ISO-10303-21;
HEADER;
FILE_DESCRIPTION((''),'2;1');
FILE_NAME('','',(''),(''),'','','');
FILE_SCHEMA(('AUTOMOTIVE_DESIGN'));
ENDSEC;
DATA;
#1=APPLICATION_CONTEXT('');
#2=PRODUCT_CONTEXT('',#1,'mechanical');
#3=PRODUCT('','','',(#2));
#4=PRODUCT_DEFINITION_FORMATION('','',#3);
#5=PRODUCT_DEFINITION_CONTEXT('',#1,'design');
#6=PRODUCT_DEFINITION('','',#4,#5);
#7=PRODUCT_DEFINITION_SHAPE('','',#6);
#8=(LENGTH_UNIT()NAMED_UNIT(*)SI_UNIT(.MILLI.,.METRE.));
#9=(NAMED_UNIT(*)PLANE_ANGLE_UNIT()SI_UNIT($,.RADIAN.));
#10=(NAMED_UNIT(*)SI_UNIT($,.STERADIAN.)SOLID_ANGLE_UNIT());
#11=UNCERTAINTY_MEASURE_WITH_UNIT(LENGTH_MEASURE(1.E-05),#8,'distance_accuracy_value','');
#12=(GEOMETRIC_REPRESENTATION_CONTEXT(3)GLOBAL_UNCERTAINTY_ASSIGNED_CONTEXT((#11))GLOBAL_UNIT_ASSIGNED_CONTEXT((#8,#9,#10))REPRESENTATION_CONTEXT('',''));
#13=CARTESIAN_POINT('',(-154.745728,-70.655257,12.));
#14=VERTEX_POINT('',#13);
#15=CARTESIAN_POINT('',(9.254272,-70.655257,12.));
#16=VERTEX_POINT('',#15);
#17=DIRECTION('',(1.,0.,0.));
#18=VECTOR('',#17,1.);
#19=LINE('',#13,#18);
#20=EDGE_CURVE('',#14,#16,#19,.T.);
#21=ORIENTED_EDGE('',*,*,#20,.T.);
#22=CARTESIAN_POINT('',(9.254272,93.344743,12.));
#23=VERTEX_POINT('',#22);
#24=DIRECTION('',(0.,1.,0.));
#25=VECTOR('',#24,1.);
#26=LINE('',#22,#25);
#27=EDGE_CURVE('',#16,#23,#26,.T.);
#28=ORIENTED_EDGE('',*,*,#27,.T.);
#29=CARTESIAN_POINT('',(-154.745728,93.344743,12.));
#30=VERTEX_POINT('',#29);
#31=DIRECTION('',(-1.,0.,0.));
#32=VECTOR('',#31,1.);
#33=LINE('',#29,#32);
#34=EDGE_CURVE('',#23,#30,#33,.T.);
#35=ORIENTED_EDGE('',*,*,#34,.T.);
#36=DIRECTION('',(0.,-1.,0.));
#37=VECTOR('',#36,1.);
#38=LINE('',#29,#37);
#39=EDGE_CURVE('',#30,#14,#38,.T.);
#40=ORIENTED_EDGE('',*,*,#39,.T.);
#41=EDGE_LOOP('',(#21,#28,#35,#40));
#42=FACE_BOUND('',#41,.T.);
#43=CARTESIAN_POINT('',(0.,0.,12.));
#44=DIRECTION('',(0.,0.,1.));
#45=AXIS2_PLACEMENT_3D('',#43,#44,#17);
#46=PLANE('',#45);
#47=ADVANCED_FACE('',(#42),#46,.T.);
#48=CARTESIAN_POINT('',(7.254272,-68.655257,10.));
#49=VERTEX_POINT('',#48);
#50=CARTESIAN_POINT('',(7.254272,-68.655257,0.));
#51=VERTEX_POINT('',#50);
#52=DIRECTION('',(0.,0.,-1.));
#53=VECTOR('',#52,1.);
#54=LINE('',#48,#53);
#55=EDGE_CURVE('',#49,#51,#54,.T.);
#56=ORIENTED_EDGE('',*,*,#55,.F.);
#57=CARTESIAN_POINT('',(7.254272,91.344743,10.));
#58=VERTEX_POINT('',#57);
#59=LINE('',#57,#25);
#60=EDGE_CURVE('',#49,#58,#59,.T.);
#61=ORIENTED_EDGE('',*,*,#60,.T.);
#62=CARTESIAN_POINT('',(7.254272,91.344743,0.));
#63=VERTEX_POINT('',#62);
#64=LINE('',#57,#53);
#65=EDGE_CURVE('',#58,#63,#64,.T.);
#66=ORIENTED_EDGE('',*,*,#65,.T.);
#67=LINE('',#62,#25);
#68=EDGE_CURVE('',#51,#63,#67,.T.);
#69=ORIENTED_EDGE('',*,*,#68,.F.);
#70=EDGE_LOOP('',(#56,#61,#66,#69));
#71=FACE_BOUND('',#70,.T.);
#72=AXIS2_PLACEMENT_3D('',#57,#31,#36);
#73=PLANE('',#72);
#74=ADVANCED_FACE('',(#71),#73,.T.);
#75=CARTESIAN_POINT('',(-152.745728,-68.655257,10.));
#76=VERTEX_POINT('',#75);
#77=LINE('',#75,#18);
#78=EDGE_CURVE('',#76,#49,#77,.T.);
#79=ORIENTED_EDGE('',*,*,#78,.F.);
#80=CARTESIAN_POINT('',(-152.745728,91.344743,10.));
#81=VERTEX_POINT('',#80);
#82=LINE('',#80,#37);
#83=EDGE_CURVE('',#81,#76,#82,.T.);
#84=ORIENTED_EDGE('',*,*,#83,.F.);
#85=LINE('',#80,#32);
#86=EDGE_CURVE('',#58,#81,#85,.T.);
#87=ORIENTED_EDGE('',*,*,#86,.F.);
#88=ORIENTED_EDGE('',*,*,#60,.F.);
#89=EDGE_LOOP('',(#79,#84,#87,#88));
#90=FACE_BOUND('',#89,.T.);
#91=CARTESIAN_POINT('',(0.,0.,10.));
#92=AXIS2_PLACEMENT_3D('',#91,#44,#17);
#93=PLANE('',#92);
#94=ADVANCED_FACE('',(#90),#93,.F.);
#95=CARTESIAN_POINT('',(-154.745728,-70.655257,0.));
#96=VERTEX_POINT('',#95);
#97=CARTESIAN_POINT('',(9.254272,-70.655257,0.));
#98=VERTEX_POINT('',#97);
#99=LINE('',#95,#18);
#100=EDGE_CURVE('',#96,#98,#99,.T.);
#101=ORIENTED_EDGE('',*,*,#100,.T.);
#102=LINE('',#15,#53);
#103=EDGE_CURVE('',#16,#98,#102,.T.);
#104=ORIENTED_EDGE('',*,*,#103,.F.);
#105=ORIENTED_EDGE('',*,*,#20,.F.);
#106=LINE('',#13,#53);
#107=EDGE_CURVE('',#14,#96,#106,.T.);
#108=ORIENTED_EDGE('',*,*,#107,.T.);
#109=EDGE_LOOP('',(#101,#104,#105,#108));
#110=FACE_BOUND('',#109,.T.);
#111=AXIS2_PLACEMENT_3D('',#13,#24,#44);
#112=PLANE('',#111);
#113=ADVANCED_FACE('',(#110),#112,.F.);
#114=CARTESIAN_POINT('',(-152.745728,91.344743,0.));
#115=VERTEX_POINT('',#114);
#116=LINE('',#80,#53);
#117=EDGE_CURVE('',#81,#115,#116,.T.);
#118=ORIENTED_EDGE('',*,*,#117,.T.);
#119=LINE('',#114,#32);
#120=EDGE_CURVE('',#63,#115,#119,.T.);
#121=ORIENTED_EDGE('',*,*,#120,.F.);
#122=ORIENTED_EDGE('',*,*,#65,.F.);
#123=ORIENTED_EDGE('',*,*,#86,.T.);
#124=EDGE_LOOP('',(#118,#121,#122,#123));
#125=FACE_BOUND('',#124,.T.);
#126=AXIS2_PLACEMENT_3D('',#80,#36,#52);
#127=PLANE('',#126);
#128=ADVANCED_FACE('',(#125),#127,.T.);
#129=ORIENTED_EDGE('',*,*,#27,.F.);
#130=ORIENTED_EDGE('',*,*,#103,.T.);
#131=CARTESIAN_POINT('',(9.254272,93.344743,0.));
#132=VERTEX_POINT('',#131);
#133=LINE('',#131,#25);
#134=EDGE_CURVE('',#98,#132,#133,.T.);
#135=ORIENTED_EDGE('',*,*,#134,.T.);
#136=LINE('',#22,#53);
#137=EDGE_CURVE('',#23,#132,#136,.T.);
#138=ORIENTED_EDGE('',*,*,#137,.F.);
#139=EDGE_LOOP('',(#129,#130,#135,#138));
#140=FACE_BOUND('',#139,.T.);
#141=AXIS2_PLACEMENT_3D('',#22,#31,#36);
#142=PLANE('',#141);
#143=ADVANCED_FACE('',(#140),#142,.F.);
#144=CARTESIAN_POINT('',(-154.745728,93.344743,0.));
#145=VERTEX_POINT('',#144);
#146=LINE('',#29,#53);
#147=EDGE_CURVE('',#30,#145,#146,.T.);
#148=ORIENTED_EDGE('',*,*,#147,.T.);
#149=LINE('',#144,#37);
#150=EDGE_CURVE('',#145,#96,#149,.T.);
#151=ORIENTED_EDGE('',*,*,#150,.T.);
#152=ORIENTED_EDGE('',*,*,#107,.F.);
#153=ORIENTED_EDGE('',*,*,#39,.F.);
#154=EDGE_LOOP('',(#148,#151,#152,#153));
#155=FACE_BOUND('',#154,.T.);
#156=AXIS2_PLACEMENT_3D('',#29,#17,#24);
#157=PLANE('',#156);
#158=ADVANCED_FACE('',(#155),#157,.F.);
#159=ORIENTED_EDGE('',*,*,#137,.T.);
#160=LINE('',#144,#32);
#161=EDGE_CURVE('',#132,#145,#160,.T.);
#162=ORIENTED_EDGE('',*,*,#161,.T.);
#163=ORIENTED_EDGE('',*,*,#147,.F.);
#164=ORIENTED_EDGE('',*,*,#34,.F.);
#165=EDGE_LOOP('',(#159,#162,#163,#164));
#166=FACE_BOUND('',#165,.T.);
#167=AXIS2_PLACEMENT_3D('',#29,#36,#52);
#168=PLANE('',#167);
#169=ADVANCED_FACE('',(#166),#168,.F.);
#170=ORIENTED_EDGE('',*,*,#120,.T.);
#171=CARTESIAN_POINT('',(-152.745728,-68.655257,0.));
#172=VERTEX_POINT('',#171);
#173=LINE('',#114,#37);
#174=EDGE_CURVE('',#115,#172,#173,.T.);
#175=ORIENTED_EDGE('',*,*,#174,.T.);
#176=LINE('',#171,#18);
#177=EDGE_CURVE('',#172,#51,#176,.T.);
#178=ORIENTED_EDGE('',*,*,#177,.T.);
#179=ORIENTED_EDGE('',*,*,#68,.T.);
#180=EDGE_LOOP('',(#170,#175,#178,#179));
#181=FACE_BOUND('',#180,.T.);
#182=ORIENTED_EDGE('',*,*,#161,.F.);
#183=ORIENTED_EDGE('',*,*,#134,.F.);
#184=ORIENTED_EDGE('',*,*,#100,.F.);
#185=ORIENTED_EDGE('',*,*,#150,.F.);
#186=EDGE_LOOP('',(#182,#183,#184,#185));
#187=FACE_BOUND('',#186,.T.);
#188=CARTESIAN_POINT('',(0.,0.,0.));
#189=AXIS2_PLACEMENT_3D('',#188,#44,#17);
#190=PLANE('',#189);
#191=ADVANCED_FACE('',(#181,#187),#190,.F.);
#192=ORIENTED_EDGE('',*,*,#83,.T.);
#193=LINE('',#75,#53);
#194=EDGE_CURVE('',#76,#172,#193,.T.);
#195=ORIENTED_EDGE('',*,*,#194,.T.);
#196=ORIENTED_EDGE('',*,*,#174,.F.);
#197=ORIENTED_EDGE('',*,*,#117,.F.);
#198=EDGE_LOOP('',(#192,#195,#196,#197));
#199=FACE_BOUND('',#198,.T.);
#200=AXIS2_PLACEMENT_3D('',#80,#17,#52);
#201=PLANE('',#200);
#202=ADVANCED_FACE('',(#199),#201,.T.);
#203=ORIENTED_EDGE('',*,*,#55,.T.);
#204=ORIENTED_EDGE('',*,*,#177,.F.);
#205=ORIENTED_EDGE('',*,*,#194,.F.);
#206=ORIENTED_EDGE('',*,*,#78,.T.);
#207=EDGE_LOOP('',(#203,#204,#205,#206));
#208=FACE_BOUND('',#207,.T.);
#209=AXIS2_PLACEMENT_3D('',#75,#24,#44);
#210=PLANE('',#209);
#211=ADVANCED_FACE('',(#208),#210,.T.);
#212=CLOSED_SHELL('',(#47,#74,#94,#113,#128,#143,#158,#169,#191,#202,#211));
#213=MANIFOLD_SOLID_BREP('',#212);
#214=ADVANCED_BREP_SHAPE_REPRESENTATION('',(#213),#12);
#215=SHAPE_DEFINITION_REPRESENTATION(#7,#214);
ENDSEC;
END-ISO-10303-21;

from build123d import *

# Parameters (mm, degrees)
SKETCH_2_W      = 164
SKETCH_2_H      = 164
EXTRUDE_1_DEPTH = 12
SKETCH_1_W      = 160
SKETCH_1_H      = 160
EXTRUDE_2_DEPTH = 10


with BuildPart() as part:
    # 草图2 → 凸台-拉伸1 (new body)
    with BuildSketch(Plane.XY):
        with Locations((-72.7457284, 11.344743276)):
            Rectangle(SKETCH_2_W, SKETCH_2_H)
    extrude(amount=EXTRUDE_1_DEPTH)


with BuildPart() as body_2:
    # 草图1 → 凸台-拉伸2 (new body)
    with BuildSketch(Plane.XY):
        with Locations((-72.7457284, 11.344743276)):
            Rectangle(SKETCH_1_W, SKETCH_1_H)
    extrude(amount=EXTRUDE_2_DEPTH)


with BuildPart() as part_1:
    add(part.part)

    # Combine 1: cut body 2
    add(body_2.part, mode=Mode.SUBTRACT)


solid = part_1.part
